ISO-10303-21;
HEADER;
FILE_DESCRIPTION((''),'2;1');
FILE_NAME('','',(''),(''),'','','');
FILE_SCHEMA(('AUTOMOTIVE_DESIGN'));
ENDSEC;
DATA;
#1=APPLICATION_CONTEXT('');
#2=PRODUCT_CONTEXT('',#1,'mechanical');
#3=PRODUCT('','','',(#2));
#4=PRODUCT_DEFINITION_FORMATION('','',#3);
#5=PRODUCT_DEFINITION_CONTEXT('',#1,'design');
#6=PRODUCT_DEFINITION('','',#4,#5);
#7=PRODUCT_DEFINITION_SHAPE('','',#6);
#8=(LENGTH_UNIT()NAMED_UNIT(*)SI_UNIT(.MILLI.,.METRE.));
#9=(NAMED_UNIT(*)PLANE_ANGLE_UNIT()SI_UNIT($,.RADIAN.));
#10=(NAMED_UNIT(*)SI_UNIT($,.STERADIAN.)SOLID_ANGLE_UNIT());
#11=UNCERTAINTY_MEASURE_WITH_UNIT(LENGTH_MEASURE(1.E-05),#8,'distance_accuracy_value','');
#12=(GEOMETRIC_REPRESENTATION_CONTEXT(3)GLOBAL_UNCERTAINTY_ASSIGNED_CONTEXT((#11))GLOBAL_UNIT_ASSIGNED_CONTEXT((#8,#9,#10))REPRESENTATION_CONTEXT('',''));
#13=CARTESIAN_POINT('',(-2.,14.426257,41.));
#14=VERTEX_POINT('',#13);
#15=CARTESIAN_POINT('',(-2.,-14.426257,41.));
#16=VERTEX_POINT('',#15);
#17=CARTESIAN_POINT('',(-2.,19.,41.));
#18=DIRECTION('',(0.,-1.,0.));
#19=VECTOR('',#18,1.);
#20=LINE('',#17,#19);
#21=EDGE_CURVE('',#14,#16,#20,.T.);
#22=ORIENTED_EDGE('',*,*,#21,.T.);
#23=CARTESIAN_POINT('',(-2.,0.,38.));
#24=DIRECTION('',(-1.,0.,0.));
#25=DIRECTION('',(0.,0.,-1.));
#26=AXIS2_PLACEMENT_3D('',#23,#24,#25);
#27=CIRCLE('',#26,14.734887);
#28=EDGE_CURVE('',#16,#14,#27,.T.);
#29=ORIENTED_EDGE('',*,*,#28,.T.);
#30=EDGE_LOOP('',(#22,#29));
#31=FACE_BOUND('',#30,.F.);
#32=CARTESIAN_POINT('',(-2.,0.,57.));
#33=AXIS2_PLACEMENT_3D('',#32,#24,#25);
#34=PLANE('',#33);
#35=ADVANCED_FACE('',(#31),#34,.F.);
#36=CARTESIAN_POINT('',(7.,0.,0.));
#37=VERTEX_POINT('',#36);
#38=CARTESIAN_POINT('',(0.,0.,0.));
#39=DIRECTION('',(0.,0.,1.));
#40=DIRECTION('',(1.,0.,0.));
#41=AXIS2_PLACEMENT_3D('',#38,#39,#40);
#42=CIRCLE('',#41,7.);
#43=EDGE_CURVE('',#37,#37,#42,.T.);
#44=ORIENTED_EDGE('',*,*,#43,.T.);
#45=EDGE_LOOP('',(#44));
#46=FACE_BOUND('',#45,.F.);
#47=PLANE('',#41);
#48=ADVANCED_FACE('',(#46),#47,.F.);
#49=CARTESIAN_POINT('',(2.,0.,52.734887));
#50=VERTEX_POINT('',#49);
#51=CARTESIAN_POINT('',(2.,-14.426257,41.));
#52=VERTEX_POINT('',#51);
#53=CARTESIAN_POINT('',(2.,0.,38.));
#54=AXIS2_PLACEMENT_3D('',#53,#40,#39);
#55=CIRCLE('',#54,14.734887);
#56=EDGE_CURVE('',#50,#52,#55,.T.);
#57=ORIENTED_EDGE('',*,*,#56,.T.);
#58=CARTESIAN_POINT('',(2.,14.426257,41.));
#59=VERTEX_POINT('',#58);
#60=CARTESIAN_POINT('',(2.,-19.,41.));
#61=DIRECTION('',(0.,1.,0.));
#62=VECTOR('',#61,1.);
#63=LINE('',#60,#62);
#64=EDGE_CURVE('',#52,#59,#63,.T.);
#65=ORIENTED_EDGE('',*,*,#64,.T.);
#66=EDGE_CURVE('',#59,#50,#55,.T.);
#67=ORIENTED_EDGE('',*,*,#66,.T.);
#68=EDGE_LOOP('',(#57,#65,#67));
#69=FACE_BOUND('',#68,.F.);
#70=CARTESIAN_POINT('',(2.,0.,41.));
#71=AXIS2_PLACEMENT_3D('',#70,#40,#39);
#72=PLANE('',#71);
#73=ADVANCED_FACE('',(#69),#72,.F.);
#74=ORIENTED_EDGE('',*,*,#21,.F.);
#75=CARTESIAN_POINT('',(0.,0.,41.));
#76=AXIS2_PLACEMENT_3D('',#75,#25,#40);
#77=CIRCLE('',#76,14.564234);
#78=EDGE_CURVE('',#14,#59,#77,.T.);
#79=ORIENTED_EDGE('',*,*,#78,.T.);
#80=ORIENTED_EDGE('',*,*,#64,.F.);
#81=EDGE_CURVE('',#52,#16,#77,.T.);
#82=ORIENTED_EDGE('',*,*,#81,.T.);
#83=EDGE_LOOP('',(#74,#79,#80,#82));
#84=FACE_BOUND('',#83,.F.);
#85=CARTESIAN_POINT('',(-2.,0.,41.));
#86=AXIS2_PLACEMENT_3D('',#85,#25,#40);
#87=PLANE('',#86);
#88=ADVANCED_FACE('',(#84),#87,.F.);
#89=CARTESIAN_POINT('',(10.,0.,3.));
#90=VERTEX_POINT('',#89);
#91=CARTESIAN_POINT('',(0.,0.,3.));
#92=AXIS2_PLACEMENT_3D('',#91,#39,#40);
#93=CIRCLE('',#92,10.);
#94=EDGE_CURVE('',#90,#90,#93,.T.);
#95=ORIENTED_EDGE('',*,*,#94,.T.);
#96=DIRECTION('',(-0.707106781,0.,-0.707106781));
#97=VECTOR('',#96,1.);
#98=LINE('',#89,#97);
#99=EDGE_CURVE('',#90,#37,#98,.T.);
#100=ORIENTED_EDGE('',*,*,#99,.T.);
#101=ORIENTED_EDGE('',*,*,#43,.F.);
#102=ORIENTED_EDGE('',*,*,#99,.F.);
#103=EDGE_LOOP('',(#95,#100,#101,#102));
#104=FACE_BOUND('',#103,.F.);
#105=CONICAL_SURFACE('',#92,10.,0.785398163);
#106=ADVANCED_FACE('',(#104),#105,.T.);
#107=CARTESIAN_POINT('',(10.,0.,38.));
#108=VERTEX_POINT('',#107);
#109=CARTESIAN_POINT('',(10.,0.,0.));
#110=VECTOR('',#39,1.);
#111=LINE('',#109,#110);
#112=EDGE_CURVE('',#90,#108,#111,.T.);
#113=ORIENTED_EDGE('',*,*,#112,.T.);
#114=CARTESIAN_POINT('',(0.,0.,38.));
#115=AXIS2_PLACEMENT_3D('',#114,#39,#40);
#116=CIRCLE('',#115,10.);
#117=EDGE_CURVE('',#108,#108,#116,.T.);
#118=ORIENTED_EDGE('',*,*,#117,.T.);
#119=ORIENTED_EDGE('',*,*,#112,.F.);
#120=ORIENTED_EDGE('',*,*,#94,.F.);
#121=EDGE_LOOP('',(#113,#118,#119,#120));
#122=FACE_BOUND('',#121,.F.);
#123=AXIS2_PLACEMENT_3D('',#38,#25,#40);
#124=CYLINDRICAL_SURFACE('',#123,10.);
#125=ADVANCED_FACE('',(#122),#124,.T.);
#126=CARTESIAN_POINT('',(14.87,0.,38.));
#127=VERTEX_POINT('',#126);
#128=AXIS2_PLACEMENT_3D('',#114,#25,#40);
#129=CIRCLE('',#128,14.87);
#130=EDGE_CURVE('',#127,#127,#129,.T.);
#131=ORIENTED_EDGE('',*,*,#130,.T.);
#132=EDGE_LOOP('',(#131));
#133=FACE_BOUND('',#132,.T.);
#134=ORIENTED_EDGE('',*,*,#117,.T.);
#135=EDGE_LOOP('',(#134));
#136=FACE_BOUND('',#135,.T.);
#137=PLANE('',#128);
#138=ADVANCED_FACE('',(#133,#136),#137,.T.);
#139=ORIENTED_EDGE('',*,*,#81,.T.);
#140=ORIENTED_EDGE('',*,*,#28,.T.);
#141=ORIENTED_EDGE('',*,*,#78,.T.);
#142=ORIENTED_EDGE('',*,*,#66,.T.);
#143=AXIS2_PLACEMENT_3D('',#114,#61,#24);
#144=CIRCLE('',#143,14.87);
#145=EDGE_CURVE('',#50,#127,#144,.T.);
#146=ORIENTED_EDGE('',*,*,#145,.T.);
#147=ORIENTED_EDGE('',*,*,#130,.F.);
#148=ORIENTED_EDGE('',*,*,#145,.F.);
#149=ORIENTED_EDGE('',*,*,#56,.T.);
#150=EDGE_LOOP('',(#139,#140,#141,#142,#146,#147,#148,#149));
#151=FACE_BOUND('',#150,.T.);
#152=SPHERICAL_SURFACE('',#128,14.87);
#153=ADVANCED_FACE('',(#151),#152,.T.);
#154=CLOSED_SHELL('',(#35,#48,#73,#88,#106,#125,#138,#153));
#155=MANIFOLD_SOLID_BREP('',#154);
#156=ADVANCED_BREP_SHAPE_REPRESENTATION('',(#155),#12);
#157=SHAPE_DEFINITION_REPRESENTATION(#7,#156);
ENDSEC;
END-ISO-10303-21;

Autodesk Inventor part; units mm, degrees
ref_plane "YZ Plane" through (0, 0, 0) normal (1, 0, 0) x (0, 1, 0)
ref_plane "XZ Plane" through (0, 0, 0) normal (0, 1, 0) x (-1, 0, 0)
ref_plane "XY Plane" through (0, 0, 0) normal (0, 0, 1) x (1, 0, 0)
sketch "Esboço1" plane through (0, 0, 0) normal (0, 0, 1) x (1, 0, 0)
  circle A0 centre (0, 0) radius 10
  dimension "d0" = 20
extrude "Extrusão1" add sketch "Esboço1" along normal blind 38
chamfer "Chanfro1" distance 3 angle 45 1 edges at (-10, 0, 0)
sketch "Esboço3" plane through (0, 0, 0) normal (0, 1, 0) x (-1, 0, 0)
  line L0 (10, 38) -> (-10, 38) projected
  arc A0 (14.87, 38) -> (-14.87, 38) centre (0, 38) ccw
  line L1 (0, 52.87) -> (0, 38)
  line L2 (-14.87, 38) -> (14.87, 38)
  point P0 (0, 0)
  dimension "d7" = 29.74
revolve "Revolução1" add sketch "Esboço3" angle 360 about axis through (0, 0, 52.87) along (0, 0, -1) picked at (-6.4238, 41.8753) contours L0 L2 A0 L1
sketch "Esboço4" plane through (0, 0, 0) normal (0, 1, 0) x (-1, 0, 0)
  line L0 (-2, 57) -> (2, 57)
  line L1 (2, 57) -> (2, 41)
  line L2 (2, 41) -> (-2, 41)
  line L3 (-2, 41) -> (-2, 57)
  line L4 (7, 0) -> (-7, 0) projected
  point P0 (0, 0)
  point P1 (0, 0)
  dimension "d9" = 4
  dimension "d10" = 16
  dimension "d11" = 41
  dimension "d13" = 2
extrude "Extrusão2" cut sketch "Esboço4" along normal mid plane 38
properties part number "Parafuso da Valvula"
